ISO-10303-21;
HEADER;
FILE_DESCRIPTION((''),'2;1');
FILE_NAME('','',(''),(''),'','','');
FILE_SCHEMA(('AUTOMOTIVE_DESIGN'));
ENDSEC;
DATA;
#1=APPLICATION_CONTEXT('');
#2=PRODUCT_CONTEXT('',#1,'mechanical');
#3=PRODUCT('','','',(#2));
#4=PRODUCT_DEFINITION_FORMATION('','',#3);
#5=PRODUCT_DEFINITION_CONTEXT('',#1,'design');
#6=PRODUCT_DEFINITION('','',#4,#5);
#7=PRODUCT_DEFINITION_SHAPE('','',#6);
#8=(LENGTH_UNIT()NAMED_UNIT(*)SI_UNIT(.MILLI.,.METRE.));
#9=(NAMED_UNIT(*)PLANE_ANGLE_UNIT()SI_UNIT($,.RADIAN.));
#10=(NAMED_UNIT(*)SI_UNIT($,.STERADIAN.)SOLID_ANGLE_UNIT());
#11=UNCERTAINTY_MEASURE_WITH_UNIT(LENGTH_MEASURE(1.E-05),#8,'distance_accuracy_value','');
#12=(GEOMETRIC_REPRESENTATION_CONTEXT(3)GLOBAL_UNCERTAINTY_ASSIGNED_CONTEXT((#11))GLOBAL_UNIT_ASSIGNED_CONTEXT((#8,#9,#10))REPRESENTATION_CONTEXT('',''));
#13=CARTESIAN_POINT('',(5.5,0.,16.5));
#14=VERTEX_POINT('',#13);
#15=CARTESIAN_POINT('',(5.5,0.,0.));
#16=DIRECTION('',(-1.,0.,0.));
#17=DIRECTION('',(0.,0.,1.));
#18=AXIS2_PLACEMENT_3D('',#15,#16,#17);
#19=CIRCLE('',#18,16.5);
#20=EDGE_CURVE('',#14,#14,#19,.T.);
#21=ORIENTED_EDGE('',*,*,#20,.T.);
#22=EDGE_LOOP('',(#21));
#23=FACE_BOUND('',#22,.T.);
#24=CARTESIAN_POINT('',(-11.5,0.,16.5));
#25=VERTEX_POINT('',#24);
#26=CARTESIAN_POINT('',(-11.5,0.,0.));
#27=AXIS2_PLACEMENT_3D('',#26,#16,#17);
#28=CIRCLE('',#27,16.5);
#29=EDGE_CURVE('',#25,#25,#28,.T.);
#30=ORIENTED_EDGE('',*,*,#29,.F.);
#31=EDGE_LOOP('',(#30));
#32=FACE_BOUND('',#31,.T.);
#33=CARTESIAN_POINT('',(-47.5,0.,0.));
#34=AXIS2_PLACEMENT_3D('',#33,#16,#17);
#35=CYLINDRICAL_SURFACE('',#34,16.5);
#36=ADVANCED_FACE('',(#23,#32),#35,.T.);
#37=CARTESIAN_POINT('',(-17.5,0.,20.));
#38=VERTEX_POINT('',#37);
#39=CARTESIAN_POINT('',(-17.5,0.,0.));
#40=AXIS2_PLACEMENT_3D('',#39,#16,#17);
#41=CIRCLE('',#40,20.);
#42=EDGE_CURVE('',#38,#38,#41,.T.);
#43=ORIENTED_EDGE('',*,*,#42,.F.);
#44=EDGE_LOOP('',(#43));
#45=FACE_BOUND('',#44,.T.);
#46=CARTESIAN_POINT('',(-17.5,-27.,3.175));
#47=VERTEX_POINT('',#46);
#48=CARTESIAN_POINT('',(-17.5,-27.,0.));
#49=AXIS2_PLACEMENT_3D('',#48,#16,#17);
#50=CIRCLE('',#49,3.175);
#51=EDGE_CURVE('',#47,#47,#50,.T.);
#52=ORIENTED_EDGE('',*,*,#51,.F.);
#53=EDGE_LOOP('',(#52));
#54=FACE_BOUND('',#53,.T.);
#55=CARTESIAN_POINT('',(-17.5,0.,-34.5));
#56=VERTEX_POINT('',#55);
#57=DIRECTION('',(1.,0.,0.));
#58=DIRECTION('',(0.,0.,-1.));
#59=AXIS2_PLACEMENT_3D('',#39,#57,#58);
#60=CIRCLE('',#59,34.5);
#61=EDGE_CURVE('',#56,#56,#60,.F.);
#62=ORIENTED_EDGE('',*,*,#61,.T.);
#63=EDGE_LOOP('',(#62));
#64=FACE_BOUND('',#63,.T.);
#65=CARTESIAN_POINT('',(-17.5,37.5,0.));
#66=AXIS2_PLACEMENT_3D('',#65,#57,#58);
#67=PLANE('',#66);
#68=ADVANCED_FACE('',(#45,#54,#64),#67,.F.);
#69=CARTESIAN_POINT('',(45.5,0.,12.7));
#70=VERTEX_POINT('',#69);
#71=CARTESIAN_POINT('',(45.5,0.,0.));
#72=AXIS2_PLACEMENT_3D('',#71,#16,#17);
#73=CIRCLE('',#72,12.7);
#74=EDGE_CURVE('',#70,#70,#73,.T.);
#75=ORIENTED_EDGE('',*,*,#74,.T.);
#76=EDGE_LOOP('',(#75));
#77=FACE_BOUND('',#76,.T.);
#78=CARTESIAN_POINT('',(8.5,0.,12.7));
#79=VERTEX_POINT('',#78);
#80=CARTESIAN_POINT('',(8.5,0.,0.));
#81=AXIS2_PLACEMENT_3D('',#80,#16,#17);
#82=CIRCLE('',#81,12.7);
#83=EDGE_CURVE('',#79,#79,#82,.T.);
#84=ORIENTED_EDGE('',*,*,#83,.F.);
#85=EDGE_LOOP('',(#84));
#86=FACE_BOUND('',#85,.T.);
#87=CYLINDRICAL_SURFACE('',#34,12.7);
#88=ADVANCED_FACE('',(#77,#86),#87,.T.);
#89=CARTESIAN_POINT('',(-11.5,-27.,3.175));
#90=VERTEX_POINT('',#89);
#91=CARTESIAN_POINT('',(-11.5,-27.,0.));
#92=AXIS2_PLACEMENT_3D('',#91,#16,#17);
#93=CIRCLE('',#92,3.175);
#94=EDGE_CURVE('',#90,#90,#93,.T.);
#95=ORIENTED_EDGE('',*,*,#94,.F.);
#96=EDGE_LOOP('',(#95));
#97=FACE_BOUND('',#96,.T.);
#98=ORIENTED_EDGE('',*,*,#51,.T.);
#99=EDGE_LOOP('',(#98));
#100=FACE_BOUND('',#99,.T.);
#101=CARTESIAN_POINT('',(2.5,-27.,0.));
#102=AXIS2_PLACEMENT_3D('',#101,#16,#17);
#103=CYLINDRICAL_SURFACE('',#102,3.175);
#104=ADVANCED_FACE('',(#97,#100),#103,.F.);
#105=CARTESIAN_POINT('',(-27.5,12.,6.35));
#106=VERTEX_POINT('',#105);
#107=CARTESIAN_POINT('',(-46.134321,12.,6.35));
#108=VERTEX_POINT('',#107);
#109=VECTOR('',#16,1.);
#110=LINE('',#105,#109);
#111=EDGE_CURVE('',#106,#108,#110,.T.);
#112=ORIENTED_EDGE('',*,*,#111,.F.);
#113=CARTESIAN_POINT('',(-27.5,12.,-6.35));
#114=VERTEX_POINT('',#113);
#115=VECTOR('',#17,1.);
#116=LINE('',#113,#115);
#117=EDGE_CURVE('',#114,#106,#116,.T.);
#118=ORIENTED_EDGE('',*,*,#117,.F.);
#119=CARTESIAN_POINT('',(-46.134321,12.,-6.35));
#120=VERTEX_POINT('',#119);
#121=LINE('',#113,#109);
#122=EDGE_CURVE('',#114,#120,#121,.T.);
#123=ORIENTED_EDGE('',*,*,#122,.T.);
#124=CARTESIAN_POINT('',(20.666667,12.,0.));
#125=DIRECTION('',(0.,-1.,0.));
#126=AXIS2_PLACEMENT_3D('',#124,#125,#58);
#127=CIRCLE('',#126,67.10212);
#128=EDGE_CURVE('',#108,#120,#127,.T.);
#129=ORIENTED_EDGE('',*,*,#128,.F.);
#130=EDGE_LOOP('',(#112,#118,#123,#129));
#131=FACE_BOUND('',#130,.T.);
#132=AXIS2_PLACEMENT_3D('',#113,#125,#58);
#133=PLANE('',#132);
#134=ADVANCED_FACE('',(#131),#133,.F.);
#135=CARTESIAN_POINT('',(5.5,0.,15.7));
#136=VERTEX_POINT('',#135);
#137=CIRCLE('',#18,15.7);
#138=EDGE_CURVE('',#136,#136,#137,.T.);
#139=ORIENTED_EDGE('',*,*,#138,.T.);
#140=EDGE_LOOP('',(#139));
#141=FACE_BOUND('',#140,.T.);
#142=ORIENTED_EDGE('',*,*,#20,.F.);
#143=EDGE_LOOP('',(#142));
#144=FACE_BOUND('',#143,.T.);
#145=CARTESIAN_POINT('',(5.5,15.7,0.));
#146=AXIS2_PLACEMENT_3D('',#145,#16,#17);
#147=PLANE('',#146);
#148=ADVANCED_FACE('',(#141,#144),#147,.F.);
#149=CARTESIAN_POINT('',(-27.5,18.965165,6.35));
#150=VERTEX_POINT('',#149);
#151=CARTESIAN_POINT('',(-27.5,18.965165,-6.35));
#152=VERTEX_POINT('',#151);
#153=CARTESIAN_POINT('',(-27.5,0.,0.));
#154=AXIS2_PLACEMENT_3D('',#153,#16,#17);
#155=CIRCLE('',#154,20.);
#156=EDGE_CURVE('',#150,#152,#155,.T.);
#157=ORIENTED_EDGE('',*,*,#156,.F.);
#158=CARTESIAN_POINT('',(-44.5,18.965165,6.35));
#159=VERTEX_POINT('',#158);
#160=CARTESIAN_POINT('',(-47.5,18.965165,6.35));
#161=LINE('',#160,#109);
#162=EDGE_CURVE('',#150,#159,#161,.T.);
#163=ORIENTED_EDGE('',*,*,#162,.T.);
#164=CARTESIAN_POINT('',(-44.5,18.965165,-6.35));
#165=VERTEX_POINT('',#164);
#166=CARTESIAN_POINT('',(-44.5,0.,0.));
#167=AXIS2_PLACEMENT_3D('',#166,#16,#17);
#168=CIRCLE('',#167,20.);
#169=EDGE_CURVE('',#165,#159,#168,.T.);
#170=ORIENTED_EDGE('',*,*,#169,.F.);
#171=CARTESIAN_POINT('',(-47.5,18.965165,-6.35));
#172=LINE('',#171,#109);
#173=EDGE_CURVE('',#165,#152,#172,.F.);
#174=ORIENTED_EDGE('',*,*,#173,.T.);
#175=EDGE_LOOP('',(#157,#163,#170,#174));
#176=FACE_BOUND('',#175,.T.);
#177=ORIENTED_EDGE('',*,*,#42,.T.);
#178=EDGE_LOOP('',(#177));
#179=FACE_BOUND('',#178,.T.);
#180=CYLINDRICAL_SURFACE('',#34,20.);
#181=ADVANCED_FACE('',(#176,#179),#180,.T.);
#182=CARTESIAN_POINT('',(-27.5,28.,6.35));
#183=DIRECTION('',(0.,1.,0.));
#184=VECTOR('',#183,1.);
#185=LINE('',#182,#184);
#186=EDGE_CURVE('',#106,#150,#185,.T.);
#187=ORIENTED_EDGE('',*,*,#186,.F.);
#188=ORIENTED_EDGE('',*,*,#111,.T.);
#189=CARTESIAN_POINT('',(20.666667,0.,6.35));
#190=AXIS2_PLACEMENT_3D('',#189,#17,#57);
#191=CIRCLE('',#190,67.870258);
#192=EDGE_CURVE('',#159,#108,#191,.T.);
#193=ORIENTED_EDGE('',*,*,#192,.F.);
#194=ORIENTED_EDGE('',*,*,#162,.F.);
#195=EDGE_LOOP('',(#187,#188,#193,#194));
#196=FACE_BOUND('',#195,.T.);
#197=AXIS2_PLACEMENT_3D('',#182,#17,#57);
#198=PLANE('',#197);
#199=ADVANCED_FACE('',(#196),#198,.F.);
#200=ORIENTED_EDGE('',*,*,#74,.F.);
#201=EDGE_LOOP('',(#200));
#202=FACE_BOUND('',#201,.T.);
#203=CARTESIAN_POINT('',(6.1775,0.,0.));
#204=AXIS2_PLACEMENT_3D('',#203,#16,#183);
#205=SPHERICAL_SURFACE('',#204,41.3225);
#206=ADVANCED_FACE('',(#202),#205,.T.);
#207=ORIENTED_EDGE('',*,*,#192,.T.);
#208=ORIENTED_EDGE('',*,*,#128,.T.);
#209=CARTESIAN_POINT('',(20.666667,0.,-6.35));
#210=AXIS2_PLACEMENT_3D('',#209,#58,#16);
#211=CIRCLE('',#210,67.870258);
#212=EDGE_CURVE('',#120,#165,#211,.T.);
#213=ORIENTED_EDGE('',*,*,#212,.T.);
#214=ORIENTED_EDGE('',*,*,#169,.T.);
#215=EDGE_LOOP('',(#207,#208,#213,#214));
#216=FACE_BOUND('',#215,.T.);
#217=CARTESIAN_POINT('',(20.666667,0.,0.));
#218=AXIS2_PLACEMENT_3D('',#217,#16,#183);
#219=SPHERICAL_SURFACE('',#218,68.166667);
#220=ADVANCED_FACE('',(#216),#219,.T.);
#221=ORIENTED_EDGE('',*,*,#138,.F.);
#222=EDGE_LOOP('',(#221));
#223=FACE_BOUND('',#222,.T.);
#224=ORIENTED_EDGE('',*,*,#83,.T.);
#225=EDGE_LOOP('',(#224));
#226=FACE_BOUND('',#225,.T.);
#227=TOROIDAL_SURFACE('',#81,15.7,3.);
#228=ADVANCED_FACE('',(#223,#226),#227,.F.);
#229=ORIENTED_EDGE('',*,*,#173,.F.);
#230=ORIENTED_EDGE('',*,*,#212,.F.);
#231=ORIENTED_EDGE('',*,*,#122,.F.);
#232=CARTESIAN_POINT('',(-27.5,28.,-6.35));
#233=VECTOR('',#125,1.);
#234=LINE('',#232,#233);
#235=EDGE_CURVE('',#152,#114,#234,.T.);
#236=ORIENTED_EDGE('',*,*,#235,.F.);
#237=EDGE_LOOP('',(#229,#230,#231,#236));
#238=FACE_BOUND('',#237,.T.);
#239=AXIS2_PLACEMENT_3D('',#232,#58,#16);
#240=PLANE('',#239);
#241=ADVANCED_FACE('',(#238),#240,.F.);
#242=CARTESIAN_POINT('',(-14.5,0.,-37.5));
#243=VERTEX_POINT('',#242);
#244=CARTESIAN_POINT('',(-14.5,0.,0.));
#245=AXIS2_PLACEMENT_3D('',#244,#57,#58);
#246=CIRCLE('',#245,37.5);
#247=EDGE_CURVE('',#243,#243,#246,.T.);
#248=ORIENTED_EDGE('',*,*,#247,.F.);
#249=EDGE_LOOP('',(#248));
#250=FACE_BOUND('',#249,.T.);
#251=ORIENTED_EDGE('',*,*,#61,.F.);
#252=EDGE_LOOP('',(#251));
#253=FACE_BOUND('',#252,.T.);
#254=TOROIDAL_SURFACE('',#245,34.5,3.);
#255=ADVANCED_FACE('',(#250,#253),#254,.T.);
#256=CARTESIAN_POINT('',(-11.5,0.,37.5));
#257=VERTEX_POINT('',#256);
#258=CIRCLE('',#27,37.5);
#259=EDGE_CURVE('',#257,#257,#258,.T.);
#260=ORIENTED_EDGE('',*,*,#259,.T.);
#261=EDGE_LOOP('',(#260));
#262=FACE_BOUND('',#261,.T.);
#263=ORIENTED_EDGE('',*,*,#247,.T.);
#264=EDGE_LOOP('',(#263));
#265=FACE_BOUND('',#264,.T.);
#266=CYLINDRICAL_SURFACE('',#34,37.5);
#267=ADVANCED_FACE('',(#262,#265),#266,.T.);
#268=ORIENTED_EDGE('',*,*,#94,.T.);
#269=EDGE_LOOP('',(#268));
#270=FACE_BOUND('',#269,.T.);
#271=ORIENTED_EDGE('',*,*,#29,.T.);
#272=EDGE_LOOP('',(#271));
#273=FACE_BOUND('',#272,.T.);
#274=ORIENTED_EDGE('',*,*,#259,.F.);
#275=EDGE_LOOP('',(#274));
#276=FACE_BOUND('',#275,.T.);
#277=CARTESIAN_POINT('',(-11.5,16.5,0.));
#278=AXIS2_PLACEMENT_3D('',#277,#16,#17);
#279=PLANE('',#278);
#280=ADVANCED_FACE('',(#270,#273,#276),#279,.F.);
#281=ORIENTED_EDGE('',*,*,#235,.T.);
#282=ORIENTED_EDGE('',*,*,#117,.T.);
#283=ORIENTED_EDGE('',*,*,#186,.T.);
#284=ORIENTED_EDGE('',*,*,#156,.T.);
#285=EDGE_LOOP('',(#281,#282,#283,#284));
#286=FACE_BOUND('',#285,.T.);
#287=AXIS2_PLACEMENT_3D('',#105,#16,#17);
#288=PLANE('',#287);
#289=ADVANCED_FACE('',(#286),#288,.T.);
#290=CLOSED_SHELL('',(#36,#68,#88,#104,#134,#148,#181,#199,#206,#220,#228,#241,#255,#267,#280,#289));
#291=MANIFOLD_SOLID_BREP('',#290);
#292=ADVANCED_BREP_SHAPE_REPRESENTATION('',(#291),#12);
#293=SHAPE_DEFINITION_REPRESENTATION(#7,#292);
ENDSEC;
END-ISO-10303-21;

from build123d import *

# Parameters (mm, degrees)
FILETE1_R             = 3
ESBO_O2_W             = 12.7
ESBO_O2_H             = 16
CORTE_EXTRUS_O1_DEPTH = 20
ESBO_O3_R             = 3.175
CORTE_EXTRUS_O2_DEPTH = 20


with BuildPart() as part:
    # Esboço1 → Revolução1 (revolve)
    with BuildSketch(Plane.XY, mode=Mode.PRIVATE) as revolu_o1_sk:
        with BuildLine():
            Line((45.5, 12.7), (8.5, 12.7))
            ThreePointArc((8.5, 12.7), (6.378679656, 13.578679656), (5.5, 15.7))
            Line((5.5, 15.7), (5.5, 16.5))
            Line((5.5, 16.5), (-11.5, 16.5))
            Line((-11.5, 16.5), (-11.5, 37.5))
            Line((-11.5, 37.5), (-17.5, 37.5))
            Line((-17.5, 37.5), (-17.5, 20))
            Line((-17.5, 20), (-44.5, 20))
            ThreePointArc((-44.5, 20), (-46.745828054, 10.111874208), (-47.5, 0))
            Line((-47.5, 0), (47.5, 0))
            ThreePointArc((47.5, 0), (46.996937848, 6.428257929), (45.5, 12.7))
        make_face()
    revolve(revolu_o1_sk.sketch.rotate(Axis((-47.5, 0, 0), (1, 0, 0)), 90), axis=Axis((-47.5, 0, 0), (1, 0, 0)))  # turned: the seam where the file's is

    # Filete1
    filete1_edges = [part.edges().sort_by_distance(p)[0] for p in [
        (-17.5, 0, -37.5),
    ]]
    fillet(filete1_edges, radius=FILETE1_R)

    # Esboço2 → Corte-extrusão1 (cut)
    with BuildSketch(Plane.ZY.offset(47.5)):
        with Locations((0, 20)):
            Rectangle(ESBO_O2_W, ESBO_O2_H)
    extrude(amount=-CORTE_EXTRUS_O1_DEPTH, mode=Mode.SUBTRACT)

    # Esboço3 → Corte-extrusão2 (cut)
    with BuildSketch(Plane.ZY.offset(17.5)):
        with Locations((0, -27)):
            Circle(ESBO_O3_R)
    extrude(amount=-CORTE_EXTRUS_O2_DEPTH, mode=Mode.SUBTRACT)


solid = part.part
